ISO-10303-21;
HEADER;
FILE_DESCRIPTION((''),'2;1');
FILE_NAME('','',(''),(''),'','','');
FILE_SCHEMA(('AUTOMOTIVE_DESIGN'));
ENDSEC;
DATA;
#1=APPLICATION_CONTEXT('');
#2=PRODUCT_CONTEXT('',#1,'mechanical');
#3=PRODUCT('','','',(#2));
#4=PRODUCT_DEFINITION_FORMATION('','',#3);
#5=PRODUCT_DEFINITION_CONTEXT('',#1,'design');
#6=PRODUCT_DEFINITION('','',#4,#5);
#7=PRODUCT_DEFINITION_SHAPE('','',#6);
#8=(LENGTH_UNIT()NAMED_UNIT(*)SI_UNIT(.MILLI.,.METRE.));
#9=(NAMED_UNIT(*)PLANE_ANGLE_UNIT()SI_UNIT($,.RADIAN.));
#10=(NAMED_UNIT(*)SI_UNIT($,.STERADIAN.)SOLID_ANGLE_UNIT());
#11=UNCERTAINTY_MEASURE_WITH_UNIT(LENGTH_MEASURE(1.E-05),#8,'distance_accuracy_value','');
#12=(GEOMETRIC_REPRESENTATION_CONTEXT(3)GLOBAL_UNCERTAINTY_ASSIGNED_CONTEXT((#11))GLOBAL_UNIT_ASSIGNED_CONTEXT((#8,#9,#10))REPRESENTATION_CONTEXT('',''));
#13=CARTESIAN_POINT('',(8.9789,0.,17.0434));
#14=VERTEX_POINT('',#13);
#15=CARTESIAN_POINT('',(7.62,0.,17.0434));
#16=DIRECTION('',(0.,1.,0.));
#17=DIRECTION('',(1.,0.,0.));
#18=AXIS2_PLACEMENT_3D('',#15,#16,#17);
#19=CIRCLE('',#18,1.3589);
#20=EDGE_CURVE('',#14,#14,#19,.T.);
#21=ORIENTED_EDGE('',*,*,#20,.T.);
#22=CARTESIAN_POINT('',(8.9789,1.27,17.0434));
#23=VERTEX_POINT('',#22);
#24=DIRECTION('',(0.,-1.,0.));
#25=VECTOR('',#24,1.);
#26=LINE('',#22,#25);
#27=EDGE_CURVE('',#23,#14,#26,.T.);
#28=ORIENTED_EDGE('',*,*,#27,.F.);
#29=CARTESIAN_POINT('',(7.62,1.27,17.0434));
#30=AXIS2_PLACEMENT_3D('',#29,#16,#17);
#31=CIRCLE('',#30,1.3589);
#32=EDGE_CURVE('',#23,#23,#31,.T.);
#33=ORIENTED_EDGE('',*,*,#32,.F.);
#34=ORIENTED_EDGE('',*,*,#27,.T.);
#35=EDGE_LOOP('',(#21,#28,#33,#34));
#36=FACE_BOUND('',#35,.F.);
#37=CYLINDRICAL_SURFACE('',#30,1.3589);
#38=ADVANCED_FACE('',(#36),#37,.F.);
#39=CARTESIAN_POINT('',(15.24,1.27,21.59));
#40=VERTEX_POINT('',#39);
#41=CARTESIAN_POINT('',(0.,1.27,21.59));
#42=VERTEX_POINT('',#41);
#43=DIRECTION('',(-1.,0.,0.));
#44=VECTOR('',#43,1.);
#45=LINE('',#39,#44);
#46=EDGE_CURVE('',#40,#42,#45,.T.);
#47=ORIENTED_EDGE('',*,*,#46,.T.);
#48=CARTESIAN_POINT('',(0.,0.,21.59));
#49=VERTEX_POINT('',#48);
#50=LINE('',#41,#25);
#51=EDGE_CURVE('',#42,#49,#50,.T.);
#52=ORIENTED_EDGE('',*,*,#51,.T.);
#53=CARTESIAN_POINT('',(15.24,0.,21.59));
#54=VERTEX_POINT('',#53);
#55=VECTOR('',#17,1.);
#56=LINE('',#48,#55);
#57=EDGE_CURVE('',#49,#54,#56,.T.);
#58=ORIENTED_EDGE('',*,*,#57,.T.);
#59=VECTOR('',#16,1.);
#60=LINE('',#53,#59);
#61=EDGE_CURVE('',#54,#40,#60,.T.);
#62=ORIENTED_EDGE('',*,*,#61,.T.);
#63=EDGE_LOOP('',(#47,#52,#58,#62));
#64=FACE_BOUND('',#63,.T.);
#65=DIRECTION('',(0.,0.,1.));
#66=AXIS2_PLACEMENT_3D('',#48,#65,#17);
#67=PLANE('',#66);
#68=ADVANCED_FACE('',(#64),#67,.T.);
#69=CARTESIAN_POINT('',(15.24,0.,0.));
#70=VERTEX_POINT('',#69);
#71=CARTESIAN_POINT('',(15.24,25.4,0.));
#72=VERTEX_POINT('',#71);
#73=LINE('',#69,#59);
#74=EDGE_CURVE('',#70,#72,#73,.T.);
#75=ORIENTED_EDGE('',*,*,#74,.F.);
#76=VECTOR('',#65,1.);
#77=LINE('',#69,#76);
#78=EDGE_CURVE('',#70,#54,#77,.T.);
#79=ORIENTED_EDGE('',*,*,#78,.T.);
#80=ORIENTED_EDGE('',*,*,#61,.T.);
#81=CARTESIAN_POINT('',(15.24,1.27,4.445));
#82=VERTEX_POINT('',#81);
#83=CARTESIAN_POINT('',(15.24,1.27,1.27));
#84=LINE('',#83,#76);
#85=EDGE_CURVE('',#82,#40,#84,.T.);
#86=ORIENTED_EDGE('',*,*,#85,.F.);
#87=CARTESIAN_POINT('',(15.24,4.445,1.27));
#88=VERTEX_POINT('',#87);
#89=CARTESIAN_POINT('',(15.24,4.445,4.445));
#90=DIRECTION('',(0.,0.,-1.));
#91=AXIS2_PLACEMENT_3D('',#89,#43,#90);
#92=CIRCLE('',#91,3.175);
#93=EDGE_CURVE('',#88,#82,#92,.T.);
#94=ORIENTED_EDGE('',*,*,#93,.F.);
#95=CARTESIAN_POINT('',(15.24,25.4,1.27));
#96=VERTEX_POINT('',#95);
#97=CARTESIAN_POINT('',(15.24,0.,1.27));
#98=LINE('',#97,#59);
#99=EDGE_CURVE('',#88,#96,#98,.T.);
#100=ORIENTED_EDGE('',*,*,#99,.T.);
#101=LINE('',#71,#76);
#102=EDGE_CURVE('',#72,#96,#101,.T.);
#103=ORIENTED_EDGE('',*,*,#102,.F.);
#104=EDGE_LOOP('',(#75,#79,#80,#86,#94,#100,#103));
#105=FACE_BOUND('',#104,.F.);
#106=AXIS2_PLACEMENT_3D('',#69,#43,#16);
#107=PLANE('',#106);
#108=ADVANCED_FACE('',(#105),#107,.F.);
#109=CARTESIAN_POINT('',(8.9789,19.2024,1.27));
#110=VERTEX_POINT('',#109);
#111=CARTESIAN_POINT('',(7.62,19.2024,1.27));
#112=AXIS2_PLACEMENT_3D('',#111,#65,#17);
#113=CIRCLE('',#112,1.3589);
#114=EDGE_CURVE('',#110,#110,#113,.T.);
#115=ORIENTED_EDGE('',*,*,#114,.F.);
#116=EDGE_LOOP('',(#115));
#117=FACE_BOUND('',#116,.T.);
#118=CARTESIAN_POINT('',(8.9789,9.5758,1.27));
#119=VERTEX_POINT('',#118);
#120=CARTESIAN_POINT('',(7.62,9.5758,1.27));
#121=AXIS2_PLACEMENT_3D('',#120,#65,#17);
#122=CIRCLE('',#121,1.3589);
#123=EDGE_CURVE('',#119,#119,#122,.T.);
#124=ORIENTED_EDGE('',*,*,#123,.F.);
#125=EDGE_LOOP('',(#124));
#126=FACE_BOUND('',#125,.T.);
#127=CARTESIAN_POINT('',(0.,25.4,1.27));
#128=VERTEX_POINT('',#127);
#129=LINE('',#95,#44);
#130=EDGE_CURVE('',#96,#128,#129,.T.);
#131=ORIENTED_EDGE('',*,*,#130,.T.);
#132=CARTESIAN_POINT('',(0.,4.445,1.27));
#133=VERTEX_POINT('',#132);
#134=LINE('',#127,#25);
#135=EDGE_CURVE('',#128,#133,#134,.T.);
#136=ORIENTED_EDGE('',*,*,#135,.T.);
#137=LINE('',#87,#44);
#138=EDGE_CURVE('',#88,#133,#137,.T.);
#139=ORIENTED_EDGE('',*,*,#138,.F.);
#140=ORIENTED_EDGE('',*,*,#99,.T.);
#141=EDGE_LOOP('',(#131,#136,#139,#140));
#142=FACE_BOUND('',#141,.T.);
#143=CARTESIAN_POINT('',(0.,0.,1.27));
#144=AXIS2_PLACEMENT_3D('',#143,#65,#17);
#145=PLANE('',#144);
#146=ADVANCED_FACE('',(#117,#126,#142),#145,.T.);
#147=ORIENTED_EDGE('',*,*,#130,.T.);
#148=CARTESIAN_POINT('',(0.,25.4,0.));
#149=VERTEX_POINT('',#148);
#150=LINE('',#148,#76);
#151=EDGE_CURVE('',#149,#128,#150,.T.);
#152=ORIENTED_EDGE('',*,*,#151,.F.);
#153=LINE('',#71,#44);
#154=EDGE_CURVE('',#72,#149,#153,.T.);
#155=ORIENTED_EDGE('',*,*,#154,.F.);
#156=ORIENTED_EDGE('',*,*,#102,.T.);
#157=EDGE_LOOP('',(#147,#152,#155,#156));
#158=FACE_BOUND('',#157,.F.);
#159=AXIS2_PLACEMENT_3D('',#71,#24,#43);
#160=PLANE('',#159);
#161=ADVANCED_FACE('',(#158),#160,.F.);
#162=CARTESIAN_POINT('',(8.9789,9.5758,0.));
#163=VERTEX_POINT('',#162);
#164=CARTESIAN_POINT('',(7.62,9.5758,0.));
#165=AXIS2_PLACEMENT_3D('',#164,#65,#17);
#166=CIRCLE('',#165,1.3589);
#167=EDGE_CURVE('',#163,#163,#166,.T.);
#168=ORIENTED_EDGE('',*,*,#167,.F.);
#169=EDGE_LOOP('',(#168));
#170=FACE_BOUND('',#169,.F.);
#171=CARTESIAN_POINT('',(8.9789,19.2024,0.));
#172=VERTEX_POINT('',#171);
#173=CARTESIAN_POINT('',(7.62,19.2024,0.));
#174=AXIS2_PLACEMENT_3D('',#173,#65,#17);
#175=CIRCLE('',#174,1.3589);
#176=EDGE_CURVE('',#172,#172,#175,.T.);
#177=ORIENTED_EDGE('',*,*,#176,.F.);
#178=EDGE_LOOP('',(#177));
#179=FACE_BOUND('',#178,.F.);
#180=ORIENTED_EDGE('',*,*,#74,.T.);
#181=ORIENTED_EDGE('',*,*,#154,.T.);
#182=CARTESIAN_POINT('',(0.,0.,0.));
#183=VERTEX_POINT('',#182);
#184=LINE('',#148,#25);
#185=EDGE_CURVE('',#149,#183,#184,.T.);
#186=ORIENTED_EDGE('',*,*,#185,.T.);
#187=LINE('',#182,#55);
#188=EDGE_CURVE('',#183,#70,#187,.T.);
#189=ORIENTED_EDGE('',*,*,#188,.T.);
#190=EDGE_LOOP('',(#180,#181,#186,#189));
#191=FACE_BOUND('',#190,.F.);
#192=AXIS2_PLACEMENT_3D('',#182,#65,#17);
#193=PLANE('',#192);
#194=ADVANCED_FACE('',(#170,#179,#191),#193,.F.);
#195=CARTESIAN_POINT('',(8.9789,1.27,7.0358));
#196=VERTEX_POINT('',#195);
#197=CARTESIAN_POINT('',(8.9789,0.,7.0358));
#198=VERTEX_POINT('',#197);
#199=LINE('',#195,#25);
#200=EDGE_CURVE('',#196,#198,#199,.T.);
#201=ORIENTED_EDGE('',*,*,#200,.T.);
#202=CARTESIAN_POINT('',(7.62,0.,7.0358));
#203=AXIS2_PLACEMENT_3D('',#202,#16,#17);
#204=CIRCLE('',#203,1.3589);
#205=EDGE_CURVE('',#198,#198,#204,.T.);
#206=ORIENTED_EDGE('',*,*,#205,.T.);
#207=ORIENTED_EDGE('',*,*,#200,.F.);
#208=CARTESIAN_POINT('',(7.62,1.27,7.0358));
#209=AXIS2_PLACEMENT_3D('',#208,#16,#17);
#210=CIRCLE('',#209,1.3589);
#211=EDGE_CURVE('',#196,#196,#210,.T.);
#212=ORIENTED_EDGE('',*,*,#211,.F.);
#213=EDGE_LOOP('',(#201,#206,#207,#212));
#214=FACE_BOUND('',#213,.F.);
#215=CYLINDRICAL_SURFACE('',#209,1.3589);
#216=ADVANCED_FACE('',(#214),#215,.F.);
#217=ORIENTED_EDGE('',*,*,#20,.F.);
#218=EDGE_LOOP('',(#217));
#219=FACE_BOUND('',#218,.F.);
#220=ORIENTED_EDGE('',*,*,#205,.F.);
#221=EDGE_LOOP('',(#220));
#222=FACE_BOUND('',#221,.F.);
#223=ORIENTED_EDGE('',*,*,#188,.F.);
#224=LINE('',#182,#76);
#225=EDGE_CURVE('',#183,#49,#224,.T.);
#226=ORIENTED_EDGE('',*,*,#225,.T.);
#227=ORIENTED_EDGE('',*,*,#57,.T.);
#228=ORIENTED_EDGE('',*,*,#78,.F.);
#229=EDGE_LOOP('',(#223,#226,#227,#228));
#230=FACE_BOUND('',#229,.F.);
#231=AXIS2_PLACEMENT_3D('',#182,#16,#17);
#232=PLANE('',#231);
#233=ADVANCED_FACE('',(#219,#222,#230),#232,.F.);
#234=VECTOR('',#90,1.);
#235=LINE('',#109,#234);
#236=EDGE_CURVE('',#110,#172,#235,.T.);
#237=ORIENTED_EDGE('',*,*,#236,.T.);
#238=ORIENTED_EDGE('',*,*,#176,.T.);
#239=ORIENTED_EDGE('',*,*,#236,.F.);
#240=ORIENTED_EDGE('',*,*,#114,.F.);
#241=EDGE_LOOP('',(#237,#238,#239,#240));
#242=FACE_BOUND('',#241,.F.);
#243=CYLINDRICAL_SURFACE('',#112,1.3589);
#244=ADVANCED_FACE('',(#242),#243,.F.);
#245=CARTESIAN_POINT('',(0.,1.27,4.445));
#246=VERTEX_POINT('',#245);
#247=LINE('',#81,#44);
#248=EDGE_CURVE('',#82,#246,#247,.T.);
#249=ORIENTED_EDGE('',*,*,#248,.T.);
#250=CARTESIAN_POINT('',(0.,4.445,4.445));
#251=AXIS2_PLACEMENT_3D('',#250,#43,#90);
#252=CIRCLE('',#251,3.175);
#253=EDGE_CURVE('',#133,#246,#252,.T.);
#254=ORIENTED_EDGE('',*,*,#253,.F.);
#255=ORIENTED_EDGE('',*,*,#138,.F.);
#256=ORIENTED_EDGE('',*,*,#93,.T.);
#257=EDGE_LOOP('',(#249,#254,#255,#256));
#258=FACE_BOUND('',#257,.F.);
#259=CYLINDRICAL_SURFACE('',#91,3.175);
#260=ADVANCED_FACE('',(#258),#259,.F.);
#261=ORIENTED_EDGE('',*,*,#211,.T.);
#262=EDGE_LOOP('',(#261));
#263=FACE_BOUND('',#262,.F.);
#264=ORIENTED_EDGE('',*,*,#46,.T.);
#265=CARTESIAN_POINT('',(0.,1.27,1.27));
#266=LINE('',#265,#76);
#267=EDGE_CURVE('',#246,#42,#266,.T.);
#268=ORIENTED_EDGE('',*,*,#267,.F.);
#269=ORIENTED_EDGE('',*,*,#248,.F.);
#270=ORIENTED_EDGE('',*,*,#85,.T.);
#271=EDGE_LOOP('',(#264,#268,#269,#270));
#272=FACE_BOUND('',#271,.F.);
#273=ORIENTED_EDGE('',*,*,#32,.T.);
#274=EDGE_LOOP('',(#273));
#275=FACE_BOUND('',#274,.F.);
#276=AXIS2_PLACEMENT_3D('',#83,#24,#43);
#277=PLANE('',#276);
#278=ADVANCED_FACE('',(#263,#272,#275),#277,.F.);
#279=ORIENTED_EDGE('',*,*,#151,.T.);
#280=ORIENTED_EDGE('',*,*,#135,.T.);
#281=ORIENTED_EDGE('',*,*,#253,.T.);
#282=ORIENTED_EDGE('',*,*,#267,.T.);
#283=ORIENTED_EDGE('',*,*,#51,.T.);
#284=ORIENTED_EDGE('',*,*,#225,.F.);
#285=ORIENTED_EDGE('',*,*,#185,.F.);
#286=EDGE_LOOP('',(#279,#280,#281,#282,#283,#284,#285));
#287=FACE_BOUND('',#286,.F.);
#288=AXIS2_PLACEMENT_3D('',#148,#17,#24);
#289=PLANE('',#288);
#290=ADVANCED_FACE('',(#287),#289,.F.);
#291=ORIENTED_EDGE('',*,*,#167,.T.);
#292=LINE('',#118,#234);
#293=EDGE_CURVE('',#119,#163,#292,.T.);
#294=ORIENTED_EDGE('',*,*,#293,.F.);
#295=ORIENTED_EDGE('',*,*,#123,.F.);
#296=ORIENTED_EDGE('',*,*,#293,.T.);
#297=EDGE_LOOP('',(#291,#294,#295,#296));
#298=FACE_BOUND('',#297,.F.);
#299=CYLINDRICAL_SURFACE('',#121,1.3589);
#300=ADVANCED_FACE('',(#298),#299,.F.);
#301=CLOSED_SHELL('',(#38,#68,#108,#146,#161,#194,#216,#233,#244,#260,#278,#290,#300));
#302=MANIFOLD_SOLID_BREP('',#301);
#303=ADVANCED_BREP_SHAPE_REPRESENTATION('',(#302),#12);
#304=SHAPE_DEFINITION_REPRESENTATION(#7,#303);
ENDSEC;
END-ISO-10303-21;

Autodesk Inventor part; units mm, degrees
ref_plane "YZ Plane" through (0, 0, 0) normal (1, 0, 0) x (0, 1, 0)
ref_plane "XZ Plane" through (0, 0, 0) normal (0, 1, 0) x (-1, 0, 0)
ref_plane "XY Plane" through (0, 0, 0) normal (0, 0, 1) x (1, 0, 0)
sketch "Sketch1" plane through (0, 0, 0) normal (0, 0, 1) x (1, 0, 0)
  line L0 (0, 0) -> (15.24, 0)
  line L1 (15.24, 0) -> (15.24, 25.4)
  line L2 (15.24, 25.4) -> (0, 25.4)
  line L3 (0, 25.4) -> (0, 0)
  dimension "d0" = 25.4
  dimension "d1" = 15.24
extrude "Extrusion1" add sketch "Sketch1" along normal blind 1.27
sketch "Sketch2" plane through (0, 0, 1.27) normal (0, 0, 1) x (1, 0, 0)
  line L0 (15.24, 0) -> (15.24, 25.4) projected
  line L1 (0, 0) -> (15.24, 0)
  line L2 (15.24, 0) -> (15.24, 1.27)
  line L3 (15.24, 1.27) -> (0, 1.27)
  line L4 (0, 1.27) -> (0, 0)
  dimension "d4" = 1.27
extrude "Extrusion2" add sketch "Sketch2" along normal blind 20.32
sketch "Sketch3" plane through (0, 0, 1.27) normal (0, 0, 1) x (1, 0, 0)
  circle A0 centre (7.62, 19.2024) radius 1.3589
  circle A1 centre (7.62, 9.5758) radius 1.3589
  line L0 (15.24, 1.27) -> (15.24, 25.4) projected
  line L1 (0, 0) -> (15.24, 0) projected
  dimension "d7" = 2.7178
  dimension "d8" = 2.7178
  dimension "d10" = 7.62
  dimension "d11" = 9.6266
  dimension "d25" = 9.5758
  dimension "d28" = 7.62
extrude "Extrusion3" cut sketch "Sketch3" against normal blind 25.4
sketch "Sketch4" plane through (0, 1.27, 26.67) normal (0, 1, 0) x (1, 0, 0)
  circle A0 centre (7.62, 19.6342) radius 1.3589
  circle A1 centre (7.62, 9.6266) radius 1.3589
  line L0 (20.32, 1.27) -> (20.32, 25.4)
  line L1 (0, 0) -> (20.32, 0)
  line L2 (15.24, 25.4) -> (15.24, 5.08) projected
  dimension "d19" = 2.7178
  dimension "d15" = 2.7178
  dimension "d17" = 10.0076
  dimension "d26" = 7.62
  dimension "d27" = 7.62
extrude "Extrusion4" cut sketch "Sketch4" against normal blind 25.4
fillet "Fillet1" radius 3.175 1 edges at (7.62, 1.27, 1.27)
properties part number "Triangle connector 2"
